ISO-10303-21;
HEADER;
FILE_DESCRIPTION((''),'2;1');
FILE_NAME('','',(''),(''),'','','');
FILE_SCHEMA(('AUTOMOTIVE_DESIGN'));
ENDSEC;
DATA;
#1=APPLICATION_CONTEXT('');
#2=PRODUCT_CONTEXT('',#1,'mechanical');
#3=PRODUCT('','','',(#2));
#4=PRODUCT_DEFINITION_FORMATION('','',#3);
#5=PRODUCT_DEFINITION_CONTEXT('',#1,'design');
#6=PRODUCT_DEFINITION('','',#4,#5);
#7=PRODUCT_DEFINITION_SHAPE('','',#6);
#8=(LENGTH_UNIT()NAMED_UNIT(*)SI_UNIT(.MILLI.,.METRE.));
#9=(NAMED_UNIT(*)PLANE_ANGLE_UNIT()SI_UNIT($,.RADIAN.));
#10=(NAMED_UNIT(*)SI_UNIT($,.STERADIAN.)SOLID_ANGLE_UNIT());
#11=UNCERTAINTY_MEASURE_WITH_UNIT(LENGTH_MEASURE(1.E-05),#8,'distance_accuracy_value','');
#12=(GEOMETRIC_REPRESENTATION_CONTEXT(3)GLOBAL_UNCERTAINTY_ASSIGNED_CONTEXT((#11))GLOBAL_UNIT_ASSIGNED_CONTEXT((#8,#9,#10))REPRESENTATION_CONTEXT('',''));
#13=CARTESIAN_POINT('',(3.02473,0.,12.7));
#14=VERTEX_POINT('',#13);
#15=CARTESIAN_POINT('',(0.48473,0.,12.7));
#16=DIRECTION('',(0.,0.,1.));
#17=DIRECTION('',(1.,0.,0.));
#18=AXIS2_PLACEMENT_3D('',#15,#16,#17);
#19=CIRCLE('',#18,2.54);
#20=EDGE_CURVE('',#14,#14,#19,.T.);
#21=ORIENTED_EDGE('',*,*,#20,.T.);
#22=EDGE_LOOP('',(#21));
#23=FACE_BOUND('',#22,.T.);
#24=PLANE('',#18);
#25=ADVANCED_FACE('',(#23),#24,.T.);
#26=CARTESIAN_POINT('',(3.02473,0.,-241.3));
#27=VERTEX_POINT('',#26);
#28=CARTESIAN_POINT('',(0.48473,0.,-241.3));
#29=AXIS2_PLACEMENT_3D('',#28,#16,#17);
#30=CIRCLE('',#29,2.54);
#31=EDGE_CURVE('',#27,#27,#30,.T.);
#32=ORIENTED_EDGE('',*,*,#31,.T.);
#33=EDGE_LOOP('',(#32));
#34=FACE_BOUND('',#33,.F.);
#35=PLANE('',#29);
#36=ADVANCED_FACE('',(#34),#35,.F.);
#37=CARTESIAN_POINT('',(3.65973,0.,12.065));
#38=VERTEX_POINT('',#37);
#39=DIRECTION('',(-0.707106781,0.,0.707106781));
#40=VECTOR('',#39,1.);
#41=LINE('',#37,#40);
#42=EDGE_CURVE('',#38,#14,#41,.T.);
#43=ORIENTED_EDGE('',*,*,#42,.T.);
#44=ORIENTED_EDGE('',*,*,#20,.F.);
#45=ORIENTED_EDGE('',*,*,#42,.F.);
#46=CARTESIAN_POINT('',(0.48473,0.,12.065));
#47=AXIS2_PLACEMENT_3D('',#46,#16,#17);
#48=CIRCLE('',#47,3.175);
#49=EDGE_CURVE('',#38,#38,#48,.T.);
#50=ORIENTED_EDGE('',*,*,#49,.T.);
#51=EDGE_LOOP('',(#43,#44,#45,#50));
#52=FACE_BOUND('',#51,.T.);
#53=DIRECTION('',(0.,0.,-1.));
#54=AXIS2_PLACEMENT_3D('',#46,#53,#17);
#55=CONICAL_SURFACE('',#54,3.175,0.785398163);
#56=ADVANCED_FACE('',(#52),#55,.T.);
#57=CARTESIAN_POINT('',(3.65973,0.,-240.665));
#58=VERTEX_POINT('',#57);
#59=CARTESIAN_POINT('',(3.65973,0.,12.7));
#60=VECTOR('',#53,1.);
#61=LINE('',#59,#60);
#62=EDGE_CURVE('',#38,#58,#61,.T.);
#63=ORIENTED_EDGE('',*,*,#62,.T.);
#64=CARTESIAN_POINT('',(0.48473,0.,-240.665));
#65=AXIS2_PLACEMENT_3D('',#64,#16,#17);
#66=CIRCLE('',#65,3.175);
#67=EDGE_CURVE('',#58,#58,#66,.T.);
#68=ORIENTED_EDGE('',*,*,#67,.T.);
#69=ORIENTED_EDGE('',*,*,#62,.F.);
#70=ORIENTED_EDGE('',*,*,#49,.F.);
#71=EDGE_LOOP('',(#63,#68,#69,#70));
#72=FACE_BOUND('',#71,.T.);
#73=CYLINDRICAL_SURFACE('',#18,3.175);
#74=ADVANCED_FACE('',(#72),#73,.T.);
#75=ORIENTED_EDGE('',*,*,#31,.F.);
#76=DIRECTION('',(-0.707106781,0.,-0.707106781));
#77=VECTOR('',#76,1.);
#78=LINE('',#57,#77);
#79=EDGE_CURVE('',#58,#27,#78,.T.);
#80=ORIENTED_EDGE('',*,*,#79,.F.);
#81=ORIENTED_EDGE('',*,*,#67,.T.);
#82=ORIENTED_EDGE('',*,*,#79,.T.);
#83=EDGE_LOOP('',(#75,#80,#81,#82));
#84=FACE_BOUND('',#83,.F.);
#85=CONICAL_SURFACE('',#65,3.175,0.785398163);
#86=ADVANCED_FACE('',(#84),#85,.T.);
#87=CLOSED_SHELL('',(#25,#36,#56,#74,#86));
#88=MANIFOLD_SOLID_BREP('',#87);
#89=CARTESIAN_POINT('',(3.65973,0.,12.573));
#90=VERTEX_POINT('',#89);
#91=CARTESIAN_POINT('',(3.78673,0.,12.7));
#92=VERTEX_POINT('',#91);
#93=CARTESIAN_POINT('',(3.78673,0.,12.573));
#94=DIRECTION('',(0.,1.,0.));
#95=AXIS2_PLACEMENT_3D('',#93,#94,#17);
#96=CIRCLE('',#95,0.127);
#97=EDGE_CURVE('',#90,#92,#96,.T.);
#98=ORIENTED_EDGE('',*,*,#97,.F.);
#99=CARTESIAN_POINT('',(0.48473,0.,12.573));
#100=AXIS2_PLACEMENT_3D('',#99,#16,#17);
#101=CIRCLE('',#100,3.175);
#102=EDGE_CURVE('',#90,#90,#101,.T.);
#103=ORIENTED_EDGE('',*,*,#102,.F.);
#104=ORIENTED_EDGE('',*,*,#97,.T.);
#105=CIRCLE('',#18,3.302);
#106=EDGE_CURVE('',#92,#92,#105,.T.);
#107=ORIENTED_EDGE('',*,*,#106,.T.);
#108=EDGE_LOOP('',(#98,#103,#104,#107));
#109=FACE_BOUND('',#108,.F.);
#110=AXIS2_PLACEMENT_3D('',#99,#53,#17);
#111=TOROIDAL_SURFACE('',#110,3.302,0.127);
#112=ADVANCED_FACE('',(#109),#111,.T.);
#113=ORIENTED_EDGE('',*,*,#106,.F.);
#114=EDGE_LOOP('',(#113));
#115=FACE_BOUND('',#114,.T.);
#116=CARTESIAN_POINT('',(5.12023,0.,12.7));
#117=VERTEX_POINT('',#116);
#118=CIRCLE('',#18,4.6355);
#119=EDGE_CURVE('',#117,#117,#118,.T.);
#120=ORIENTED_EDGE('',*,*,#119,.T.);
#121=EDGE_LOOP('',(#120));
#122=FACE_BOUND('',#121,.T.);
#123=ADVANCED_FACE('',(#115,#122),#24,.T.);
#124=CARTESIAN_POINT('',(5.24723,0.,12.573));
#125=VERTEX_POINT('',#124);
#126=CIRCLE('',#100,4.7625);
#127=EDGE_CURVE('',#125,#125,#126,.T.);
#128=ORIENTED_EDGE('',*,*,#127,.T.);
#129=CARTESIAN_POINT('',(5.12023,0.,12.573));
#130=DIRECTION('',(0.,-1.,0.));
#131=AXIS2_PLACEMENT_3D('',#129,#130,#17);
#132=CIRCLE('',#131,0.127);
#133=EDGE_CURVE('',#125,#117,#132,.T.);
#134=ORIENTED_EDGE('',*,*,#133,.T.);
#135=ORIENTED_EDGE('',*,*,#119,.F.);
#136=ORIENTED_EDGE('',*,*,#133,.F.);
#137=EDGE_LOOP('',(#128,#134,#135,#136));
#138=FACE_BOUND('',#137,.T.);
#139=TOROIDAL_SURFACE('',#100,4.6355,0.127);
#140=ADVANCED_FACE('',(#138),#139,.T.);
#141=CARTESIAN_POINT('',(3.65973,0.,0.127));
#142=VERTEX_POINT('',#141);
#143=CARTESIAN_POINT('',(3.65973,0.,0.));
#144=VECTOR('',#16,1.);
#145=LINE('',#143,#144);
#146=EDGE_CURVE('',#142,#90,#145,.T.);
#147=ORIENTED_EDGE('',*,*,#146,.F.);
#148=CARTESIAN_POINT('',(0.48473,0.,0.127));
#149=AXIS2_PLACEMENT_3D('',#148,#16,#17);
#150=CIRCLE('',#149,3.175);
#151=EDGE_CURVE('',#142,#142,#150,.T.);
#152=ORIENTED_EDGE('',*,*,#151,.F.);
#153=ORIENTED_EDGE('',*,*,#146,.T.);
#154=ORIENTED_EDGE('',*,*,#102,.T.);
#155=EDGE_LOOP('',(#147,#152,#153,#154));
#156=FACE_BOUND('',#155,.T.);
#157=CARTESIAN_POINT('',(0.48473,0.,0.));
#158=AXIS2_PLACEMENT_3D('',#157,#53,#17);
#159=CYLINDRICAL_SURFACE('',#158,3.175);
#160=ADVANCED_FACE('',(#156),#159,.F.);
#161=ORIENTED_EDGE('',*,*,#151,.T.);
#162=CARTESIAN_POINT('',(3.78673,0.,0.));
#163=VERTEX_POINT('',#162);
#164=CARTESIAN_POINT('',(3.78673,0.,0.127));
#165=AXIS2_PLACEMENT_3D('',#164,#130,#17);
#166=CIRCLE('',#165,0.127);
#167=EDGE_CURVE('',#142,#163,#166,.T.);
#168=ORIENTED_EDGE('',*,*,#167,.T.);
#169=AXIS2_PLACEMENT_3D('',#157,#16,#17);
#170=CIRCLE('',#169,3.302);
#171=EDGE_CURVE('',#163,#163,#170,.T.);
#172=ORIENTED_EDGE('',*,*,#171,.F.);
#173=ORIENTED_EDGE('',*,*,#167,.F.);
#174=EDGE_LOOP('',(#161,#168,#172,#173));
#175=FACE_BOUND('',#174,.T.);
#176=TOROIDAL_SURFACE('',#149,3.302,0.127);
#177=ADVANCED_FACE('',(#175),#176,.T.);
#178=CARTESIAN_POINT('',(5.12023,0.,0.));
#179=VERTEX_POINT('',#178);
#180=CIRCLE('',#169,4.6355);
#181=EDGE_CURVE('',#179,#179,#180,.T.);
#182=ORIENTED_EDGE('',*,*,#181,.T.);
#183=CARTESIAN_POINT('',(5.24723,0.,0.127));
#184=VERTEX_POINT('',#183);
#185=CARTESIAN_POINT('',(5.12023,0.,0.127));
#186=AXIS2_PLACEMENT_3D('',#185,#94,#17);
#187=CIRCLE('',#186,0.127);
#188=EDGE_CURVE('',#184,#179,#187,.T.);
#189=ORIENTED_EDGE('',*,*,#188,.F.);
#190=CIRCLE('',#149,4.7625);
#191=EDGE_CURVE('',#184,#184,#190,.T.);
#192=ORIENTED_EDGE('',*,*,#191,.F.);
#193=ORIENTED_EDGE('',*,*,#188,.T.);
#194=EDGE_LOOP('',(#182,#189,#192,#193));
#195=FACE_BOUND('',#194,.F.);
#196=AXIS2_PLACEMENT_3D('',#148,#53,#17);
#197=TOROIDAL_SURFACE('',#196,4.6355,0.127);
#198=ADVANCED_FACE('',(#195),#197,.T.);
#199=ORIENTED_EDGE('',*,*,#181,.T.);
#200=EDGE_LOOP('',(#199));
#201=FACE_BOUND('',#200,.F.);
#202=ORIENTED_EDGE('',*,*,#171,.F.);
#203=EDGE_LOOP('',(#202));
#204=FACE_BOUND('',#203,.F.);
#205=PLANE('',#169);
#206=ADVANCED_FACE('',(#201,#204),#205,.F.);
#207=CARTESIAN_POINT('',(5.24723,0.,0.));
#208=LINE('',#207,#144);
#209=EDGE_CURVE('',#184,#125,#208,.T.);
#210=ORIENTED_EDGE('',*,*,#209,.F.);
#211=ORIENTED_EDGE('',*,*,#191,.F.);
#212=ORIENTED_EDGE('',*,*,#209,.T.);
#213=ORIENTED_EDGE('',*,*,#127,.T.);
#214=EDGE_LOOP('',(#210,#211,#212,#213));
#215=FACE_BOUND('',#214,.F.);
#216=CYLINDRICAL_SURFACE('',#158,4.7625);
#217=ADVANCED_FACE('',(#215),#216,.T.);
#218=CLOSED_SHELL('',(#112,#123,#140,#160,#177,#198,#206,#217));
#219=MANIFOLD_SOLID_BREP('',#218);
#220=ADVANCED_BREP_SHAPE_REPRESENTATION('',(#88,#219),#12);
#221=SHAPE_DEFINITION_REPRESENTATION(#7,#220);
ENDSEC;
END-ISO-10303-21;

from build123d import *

# Parameters (mm, degrees)
F0_R     = 4.7625
F0_R_2   = 3.175
F1_DEPTH = 12.7
F2_R     = 0.127
F3_R     = 3.175
F4_DEPTH = 254
F5_SIZE  = 0.635


with BuildPart() as f1:
    # F0 (on Top) → F1 (new body)
    with BuildSketch(Plane.XY):
        with Locations((0.48473, 0)):
            Circle(F0_R)
        with Locations((0.48473, 0)):
            Circle(F0_R_2, mode=Mode.SUBTRACT)
    extrude(amount=F1_DEPTH)

    # F2
    f2_edges = [f1.edges().sort_by_distance(p)[0] for p in [
        (-4.27777, 0, 0),
        (-2.69027, 0, 0),
        (-2.69027, 0, 12.7),
        (-4.27777, 0, 12.7),
    ]]
    fillet(f2_edges, radius=F2_R)


with BuildPart() as f4:
    # F3 (on face) → F4 (new body)
    with BuildSketch(Plane.XY.offset(12.7)):
        with Locations((0.48473, 0)):
            Circle(F3_R)
    extrude(amount=-F4_DEPTH)

    # F5
    f5_edges = [f4.edges().sort_by_distance(p)[0] for p in [
        (-2.69027, 0, -241.3),
        (-2.69027, 0, 12.7),
    ]]
    chamfer(f5_edges, length=F5_SIZE)


solid = Compound([f1.part, f4.part])
